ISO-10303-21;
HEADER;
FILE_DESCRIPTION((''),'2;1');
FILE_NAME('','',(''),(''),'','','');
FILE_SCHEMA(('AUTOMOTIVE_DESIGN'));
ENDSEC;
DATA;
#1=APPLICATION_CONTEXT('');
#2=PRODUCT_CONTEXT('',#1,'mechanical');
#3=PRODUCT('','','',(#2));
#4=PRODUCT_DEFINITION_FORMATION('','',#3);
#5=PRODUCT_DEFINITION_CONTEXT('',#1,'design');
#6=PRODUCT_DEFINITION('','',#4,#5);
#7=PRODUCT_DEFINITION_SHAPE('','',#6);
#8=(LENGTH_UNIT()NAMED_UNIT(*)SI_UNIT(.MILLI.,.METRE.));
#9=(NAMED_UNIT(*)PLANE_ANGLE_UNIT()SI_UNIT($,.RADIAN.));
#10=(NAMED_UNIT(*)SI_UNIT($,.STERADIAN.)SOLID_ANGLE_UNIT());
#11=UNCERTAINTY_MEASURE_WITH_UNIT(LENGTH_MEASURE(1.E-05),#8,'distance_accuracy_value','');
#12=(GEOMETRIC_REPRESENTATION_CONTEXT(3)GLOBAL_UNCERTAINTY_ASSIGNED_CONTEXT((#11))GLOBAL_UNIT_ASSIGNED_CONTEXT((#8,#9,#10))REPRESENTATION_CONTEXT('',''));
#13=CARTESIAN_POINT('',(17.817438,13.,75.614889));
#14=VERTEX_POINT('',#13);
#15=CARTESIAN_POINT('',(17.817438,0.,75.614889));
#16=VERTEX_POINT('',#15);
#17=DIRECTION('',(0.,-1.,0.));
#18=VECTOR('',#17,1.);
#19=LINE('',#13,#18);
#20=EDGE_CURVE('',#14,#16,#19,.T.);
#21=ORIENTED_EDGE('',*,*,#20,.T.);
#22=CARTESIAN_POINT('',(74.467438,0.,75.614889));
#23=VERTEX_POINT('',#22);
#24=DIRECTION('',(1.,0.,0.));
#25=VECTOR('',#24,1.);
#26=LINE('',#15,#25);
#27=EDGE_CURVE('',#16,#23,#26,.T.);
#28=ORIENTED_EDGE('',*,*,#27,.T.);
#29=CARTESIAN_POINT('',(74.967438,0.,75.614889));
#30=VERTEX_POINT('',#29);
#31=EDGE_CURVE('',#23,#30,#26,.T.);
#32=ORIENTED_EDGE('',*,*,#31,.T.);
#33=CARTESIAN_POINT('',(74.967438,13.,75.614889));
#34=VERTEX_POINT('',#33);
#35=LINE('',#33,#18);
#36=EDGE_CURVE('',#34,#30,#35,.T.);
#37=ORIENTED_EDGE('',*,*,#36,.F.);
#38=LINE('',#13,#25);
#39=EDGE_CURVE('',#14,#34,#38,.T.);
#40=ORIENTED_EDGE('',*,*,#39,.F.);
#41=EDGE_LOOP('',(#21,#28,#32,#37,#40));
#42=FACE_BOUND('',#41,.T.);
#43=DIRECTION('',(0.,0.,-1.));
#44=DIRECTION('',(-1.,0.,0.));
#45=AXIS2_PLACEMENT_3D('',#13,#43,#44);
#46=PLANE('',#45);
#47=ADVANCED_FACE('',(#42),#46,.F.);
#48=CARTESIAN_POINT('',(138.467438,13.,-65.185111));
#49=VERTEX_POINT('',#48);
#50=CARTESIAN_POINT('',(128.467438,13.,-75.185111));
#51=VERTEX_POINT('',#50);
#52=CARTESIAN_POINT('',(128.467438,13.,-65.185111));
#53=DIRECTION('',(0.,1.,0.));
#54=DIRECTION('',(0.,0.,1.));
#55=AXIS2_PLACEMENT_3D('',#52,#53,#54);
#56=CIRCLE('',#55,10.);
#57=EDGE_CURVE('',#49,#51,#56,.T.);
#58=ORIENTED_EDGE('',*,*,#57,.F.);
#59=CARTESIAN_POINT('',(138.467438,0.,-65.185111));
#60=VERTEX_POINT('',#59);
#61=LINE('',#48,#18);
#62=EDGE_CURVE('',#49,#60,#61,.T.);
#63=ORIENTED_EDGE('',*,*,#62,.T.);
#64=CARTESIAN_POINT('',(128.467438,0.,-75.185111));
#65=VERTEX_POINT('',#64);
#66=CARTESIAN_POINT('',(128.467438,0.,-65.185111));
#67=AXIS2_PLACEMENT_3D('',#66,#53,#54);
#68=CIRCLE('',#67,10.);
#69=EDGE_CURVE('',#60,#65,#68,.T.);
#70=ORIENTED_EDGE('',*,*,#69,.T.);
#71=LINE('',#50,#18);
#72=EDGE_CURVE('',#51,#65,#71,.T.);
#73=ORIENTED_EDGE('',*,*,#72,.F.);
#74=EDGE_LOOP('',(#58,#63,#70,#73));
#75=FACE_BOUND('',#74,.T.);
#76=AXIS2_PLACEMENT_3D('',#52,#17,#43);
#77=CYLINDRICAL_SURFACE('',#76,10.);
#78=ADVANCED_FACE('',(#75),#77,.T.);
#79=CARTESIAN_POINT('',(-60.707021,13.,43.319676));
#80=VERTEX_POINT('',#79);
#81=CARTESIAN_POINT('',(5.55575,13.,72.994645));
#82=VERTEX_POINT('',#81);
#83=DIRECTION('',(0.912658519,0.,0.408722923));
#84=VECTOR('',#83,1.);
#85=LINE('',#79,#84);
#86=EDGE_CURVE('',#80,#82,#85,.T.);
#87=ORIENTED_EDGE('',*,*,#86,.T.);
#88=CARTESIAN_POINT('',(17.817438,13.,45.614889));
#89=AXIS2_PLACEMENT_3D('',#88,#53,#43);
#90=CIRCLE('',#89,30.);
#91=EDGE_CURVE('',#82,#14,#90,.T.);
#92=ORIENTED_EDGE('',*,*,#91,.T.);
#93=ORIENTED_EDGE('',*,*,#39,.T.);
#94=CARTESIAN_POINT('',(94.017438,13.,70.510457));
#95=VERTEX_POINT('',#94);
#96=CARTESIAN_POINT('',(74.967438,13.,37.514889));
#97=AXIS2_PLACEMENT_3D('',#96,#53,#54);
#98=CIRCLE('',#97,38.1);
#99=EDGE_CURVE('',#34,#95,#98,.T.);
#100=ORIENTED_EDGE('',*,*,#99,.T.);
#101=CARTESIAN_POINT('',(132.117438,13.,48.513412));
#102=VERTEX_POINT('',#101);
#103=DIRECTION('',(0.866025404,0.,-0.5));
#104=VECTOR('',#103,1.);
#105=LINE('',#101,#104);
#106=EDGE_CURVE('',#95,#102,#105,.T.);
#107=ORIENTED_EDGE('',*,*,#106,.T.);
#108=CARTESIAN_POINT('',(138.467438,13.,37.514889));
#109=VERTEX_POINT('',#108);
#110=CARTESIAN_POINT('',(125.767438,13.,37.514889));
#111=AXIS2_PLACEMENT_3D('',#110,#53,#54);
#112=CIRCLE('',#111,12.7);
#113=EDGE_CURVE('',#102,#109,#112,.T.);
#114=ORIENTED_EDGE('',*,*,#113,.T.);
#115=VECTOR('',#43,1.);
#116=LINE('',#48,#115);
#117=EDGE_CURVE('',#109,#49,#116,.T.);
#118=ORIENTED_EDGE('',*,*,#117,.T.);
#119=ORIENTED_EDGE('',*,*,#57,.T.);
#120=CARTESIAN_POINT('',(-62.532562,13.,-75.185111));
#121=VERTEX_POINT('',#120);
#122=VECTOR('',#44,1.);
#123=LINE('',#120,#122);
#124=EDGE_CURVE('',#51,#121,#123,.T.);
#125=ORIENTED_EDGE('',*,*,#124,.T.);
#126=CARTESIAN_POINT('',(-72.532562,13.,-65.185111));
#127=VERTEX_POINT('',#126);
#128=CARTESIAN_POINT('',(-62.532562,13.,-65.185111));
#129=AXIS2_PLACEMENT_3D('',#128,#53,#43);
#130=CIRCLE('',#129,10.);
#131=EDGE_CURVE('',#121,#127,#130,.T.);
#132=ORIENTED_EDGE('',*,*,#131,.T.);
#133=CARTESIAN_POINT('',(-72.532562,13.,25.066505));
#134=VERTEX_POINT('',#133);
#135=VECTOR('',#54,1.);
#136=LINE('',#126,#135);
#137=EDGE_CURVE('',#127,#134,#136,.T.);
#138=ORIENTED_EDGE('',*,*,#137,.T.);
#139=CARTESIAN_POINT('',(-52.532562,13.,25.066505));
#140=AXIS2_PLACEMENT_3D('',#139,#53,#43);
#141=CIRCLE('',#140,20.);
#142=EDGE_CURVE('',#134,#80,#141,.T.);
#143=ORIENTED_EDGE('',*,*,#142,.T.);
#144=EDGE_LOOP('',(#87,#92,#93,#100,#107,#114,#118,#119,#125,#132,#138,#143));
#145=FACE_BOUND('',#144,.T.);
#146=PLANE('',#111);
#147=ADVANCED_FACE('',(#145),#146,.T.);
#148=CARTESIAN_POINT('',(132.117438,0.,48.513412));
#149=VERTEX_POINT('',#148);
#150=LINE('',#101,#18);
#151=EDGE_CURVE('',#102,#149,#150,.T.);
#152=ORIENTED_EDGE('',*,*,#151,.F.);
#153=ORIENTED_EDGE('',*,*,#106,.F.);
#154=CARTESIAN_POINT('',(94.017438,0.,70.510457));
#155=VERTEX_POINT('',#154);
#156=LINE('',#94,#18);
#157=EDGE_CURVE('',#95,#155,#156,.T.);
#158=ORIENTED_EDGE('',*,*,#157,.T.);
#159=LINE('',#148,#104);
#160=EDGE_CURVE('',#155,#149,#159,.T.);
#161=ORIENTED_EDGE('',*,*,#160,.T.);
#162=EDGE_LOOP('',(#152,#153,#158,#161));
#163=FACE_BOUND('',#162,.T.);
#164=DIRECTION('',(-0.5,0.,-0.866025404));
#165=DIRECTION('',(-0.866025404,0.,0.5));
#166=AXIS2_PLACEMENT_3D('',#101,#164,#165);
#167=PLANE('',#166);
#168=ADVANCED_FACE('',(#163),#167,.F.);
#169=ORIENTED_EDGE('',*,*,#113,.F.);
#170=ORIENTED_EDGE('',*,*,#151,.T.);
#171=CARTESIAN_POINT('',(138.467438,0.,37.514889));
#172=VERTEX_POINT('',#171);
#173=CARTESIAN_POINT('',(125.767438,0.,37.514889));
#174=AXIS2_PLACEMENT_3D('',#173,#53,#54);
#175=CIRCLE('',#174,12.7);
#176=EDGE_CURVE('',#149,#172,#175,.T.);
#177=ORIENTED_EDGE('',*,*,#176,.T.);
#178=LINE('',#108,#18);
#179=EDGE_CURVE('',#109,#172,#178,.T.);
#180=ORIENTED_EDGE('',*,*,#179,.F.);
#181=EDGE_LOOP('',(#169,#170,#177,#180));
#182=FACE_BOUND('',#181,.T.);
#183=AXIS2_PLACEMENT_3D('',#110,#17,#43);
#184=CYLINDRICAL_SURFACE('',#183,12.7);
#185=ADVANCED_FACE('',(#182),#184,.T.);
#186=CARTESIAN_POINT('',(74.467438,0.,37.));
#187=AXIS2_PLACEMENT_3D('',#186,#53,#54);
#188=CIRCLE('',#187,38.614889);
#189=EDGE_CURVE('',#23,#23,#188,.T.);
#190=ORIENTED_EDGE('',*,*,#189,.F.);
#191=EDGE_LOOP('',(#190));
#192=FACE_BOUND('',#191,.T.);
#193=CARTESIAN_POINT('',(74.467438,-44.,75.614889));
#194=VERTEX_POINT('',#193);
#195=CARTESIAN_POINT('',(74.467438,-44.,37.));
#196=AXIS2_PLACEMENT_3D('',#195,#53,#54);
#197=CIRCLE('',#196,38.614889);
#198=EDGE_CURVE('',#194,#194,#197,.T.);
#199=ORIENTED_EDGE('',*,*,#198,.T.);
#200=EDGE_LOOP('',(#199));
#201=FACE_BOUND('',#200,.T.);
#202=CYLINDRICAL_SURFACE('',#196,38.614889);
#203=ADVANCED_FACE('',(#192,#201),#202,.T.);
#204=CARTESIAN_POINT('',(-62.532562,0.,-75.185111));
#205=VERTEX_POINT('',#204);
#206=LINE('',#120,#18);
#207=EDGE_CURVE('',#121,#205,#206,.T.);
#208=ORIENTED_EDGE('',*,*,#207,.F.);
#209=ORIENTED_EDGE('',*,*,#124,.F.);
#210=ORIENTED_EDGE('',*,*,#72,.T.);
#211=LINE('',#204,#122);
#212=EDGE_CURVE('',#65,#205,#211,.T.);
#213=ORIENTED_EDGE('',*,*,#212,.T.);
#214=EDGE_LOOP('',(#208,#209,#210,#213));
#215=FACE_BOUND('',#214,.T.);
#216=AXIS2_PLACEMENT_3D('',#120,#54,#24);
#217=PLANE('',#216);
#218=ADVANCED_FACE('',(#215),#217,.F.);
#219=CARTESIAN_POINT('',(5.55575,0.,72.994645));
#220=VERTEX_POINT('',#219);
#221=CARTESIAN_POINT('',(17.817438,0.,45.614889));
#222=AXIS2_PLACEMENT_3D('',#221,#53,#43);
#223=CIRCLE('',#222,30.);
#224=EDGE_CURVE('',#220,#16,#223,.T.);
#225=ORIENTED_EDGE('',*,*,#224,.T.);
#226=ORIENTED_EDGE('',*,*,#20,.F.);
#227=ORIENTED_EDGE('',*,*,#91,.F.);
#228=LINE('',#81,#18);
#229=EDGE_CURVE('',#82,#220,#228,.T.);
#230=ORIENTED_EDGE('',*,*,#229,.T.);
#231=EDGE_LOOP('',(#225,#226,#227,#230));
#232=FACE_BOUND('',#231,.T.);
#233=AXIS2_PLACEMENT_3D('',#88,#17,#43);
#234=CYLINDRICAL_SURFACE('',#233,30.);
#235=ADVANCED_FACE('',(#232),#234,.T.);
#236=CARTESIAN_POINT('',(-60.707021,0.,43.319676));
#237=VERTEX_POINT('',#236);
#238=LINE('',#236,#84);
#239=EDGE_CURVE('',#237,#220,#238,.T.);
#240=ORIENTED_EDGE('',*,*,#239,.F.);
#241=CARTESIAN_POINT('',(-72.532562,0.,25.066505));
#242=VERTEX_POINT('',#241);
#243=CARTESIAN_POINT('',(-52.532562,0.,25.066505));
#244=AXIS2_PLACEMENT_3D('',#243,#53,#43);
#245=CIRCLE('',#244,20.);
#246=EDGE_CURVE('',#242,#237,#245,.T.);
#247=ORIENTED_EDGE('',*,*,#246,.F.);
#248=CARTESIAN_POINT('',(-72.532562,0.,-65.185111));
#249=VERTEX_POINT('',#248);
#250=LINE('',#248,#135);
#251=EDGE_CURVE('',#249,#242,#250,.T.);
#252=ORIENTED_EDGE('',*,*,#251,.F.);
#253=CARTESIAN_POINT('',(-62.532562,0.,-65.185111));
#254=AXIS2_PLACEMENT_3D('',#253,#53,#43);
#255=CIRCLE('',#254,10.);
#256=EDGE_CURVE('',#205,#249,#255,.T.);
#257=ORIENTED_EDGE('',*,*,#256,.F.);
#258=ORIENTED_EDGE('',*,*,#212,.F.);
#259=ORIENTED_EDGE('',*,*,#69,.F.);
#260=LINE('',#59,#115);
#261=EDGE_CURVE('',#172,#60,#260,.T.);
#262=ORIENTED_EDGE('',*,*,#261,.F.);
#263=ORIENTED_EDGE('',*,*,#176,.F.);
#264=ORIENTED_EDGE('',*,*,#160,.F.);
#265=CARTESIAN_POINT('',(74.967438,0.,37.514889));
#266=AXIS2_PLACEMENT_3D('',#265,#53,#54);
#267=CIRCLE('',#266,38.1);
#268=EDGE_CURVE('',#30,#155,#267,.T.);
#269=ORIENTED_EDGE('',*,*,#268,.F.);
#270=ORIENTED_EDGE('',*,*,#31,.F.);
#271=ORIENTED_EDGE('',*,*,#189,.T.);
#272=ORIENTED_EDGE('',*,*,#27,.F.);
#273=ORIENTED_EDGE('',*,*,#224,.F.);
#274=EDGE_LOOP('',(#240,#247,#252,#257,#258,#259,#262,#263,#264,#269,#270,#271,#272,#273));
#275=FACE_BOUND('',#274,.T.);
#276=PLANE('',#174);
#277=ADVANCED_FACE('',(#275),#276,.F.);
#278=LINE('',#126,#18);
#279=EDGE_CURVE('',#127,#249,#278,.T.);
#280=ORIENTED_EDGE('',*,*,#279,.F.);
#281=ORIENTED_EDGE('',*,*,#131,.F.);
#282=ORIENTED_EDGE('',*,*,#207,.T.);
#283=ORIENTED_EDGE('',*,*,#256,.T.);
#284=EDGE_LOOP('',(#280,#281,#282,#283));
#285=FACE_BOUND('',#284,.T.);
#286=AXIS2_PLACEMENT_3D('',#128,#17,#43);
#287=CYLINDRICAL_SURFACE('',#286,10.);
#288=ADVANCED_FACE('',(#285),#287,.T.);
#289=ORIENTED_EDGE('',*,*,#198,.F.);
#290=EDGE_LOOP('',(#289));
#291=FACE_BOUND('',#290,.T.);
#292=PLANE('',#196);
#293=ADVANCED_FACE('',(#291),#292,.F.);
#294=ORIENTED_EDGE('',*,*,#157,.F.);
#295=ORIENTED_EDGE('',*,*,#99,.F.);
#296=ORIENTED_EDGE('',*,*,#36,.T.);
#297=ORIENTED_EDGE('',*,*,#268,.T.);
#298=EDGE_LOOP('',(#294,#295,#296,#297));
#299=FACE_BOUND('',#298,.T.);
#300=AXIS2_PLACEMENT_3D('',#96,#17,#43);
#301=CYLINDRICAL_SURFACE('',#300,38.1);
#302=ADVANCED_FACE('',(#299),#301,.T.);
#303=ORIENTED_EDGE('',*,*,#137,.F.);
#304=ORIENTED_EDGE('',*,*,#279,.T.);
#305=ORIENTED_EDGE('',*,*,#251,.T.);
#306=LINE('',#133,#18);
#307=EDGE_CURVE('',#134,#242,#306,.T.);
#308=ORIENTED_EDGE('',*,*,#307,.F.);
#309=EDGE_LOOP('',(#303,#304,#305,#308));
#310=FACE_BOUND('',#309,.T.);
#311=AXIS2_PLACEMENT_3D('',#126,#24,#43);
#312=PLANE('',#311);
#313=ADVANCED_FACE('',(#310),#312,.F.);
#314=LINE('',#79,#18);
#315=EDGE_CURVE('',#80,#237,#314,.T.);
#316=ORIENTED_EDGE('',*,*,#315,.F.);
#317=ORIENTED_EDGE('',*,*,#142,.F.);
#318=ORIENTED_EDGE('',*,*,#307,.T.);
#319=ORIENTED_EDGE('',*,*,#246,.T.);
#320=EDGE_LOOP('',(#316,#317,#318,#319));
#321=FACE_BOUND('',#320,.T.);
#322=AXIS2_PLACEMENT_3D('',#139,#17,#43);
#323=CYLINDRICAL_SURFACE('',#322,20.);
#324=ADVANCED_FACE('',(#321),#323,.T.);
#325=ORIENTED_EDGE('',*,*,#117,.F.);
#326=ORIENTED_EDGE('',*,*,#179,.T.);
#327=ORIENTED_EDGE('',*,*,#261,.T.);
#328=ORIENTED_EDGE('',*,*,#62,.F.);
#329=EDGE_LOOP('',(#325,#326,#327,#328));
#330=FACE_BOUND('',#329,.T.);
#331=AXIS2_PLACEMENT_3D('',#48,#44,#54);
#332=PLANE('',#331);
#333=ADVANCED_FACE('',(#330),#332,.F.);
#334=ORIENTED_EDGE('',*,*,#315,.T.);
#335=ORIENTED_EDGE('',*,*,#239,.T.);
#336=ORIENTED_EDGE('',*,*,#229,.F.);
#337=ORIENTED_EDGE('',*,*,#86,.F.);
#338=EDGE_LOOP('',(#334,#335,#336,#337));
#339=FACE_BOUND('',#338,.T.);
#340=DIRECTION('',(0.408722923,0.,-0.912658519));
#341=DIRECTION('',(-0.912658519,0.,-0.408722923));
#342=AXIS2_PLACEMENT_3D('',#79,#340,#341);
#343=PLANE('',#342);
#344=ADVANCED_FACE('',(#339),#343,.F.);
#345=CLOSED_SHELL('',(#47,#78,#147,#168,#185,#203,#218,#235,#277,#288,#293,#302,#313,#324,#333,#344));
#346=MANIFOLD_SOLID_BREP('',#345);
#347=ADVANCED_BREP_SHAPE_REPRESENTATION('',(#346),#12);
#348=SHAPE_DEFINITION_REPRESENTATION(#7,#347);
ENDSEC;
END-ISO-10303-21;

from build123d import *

# Parameters (mm, degrees)
BOSS_EXTRUDE2_DEPTH = 13
SKETCH3_R           = 38.614889052
BOSS_EXTRUDE3_DEPTH = 44


with BuildPart() as part:
    # Sketch1 → Boss-Extrude2 (new body)
    with BuildSketch(Plane(origin=(0, 0, 0), x_dir=(1, 0, 0), z_dir=(0, 1, 0))):
        with BuildLine():
            Line((132.11743751, -48.51341168), (94.01743751, -70.510456937))
            ThreePointArc((94.01743751, -70.510456937), (84.828443129, -74.316663034), (74.96743751, -75.614889052))
            Line((74.96743751, -75.614889052), (17.81743751, -75.614889052))
            ThreePointArc((17.81743751, -75.614889052), (11.548173881, -74.952515636), (5.555749824, -72.994644622))
            Line((5.555749824, -72.994644622), (-60.707020947, -43.319675524))
            ThreePointArc((-60.707020947, -43.319675524), (-69.317811507, -35.941035728), (-72.53256249, -25.066505144))
            Line((-72.53256249, -25.066505144), (-72.53256249, 65.185110948))
            ThreePointArc((-72.53256249, 65.185110948), (-69.603630301, 72.256178759), (-62.53256249, 75.185110948))
            Line((-62.53256249, 75.185110948), (128.46743751, 75.185110948))
            ThreePointArc((128.46743751, 75.185110948), (135.538505322, 72.256178759), (138.46743751, 65.185110948))
            Line((138.46743751, 65.185110948), (138.46743751, -37.514889052))
            ThreePointArc((138.46743751, -37.514889052), (136.765960139, -43.864889052), (132.11743751, -48.51341168))
        make_face()
    extrude(amount=BOSS_EXTRUDE2_DEPTH)

    # Sketch3 → Boss-Extrude3 (add)
    with BuildSketch(Plane(origin=(0, 0, 0), x_dir=(1, 0, 0), z_dir=(0, 1, 0))):
        with Locations((74.46743751, -37)):
            Circle(SKETCH3_R)
    extrude(amount=-BOSS_EXTRUDE3_DEPTH)


solid = part.part
